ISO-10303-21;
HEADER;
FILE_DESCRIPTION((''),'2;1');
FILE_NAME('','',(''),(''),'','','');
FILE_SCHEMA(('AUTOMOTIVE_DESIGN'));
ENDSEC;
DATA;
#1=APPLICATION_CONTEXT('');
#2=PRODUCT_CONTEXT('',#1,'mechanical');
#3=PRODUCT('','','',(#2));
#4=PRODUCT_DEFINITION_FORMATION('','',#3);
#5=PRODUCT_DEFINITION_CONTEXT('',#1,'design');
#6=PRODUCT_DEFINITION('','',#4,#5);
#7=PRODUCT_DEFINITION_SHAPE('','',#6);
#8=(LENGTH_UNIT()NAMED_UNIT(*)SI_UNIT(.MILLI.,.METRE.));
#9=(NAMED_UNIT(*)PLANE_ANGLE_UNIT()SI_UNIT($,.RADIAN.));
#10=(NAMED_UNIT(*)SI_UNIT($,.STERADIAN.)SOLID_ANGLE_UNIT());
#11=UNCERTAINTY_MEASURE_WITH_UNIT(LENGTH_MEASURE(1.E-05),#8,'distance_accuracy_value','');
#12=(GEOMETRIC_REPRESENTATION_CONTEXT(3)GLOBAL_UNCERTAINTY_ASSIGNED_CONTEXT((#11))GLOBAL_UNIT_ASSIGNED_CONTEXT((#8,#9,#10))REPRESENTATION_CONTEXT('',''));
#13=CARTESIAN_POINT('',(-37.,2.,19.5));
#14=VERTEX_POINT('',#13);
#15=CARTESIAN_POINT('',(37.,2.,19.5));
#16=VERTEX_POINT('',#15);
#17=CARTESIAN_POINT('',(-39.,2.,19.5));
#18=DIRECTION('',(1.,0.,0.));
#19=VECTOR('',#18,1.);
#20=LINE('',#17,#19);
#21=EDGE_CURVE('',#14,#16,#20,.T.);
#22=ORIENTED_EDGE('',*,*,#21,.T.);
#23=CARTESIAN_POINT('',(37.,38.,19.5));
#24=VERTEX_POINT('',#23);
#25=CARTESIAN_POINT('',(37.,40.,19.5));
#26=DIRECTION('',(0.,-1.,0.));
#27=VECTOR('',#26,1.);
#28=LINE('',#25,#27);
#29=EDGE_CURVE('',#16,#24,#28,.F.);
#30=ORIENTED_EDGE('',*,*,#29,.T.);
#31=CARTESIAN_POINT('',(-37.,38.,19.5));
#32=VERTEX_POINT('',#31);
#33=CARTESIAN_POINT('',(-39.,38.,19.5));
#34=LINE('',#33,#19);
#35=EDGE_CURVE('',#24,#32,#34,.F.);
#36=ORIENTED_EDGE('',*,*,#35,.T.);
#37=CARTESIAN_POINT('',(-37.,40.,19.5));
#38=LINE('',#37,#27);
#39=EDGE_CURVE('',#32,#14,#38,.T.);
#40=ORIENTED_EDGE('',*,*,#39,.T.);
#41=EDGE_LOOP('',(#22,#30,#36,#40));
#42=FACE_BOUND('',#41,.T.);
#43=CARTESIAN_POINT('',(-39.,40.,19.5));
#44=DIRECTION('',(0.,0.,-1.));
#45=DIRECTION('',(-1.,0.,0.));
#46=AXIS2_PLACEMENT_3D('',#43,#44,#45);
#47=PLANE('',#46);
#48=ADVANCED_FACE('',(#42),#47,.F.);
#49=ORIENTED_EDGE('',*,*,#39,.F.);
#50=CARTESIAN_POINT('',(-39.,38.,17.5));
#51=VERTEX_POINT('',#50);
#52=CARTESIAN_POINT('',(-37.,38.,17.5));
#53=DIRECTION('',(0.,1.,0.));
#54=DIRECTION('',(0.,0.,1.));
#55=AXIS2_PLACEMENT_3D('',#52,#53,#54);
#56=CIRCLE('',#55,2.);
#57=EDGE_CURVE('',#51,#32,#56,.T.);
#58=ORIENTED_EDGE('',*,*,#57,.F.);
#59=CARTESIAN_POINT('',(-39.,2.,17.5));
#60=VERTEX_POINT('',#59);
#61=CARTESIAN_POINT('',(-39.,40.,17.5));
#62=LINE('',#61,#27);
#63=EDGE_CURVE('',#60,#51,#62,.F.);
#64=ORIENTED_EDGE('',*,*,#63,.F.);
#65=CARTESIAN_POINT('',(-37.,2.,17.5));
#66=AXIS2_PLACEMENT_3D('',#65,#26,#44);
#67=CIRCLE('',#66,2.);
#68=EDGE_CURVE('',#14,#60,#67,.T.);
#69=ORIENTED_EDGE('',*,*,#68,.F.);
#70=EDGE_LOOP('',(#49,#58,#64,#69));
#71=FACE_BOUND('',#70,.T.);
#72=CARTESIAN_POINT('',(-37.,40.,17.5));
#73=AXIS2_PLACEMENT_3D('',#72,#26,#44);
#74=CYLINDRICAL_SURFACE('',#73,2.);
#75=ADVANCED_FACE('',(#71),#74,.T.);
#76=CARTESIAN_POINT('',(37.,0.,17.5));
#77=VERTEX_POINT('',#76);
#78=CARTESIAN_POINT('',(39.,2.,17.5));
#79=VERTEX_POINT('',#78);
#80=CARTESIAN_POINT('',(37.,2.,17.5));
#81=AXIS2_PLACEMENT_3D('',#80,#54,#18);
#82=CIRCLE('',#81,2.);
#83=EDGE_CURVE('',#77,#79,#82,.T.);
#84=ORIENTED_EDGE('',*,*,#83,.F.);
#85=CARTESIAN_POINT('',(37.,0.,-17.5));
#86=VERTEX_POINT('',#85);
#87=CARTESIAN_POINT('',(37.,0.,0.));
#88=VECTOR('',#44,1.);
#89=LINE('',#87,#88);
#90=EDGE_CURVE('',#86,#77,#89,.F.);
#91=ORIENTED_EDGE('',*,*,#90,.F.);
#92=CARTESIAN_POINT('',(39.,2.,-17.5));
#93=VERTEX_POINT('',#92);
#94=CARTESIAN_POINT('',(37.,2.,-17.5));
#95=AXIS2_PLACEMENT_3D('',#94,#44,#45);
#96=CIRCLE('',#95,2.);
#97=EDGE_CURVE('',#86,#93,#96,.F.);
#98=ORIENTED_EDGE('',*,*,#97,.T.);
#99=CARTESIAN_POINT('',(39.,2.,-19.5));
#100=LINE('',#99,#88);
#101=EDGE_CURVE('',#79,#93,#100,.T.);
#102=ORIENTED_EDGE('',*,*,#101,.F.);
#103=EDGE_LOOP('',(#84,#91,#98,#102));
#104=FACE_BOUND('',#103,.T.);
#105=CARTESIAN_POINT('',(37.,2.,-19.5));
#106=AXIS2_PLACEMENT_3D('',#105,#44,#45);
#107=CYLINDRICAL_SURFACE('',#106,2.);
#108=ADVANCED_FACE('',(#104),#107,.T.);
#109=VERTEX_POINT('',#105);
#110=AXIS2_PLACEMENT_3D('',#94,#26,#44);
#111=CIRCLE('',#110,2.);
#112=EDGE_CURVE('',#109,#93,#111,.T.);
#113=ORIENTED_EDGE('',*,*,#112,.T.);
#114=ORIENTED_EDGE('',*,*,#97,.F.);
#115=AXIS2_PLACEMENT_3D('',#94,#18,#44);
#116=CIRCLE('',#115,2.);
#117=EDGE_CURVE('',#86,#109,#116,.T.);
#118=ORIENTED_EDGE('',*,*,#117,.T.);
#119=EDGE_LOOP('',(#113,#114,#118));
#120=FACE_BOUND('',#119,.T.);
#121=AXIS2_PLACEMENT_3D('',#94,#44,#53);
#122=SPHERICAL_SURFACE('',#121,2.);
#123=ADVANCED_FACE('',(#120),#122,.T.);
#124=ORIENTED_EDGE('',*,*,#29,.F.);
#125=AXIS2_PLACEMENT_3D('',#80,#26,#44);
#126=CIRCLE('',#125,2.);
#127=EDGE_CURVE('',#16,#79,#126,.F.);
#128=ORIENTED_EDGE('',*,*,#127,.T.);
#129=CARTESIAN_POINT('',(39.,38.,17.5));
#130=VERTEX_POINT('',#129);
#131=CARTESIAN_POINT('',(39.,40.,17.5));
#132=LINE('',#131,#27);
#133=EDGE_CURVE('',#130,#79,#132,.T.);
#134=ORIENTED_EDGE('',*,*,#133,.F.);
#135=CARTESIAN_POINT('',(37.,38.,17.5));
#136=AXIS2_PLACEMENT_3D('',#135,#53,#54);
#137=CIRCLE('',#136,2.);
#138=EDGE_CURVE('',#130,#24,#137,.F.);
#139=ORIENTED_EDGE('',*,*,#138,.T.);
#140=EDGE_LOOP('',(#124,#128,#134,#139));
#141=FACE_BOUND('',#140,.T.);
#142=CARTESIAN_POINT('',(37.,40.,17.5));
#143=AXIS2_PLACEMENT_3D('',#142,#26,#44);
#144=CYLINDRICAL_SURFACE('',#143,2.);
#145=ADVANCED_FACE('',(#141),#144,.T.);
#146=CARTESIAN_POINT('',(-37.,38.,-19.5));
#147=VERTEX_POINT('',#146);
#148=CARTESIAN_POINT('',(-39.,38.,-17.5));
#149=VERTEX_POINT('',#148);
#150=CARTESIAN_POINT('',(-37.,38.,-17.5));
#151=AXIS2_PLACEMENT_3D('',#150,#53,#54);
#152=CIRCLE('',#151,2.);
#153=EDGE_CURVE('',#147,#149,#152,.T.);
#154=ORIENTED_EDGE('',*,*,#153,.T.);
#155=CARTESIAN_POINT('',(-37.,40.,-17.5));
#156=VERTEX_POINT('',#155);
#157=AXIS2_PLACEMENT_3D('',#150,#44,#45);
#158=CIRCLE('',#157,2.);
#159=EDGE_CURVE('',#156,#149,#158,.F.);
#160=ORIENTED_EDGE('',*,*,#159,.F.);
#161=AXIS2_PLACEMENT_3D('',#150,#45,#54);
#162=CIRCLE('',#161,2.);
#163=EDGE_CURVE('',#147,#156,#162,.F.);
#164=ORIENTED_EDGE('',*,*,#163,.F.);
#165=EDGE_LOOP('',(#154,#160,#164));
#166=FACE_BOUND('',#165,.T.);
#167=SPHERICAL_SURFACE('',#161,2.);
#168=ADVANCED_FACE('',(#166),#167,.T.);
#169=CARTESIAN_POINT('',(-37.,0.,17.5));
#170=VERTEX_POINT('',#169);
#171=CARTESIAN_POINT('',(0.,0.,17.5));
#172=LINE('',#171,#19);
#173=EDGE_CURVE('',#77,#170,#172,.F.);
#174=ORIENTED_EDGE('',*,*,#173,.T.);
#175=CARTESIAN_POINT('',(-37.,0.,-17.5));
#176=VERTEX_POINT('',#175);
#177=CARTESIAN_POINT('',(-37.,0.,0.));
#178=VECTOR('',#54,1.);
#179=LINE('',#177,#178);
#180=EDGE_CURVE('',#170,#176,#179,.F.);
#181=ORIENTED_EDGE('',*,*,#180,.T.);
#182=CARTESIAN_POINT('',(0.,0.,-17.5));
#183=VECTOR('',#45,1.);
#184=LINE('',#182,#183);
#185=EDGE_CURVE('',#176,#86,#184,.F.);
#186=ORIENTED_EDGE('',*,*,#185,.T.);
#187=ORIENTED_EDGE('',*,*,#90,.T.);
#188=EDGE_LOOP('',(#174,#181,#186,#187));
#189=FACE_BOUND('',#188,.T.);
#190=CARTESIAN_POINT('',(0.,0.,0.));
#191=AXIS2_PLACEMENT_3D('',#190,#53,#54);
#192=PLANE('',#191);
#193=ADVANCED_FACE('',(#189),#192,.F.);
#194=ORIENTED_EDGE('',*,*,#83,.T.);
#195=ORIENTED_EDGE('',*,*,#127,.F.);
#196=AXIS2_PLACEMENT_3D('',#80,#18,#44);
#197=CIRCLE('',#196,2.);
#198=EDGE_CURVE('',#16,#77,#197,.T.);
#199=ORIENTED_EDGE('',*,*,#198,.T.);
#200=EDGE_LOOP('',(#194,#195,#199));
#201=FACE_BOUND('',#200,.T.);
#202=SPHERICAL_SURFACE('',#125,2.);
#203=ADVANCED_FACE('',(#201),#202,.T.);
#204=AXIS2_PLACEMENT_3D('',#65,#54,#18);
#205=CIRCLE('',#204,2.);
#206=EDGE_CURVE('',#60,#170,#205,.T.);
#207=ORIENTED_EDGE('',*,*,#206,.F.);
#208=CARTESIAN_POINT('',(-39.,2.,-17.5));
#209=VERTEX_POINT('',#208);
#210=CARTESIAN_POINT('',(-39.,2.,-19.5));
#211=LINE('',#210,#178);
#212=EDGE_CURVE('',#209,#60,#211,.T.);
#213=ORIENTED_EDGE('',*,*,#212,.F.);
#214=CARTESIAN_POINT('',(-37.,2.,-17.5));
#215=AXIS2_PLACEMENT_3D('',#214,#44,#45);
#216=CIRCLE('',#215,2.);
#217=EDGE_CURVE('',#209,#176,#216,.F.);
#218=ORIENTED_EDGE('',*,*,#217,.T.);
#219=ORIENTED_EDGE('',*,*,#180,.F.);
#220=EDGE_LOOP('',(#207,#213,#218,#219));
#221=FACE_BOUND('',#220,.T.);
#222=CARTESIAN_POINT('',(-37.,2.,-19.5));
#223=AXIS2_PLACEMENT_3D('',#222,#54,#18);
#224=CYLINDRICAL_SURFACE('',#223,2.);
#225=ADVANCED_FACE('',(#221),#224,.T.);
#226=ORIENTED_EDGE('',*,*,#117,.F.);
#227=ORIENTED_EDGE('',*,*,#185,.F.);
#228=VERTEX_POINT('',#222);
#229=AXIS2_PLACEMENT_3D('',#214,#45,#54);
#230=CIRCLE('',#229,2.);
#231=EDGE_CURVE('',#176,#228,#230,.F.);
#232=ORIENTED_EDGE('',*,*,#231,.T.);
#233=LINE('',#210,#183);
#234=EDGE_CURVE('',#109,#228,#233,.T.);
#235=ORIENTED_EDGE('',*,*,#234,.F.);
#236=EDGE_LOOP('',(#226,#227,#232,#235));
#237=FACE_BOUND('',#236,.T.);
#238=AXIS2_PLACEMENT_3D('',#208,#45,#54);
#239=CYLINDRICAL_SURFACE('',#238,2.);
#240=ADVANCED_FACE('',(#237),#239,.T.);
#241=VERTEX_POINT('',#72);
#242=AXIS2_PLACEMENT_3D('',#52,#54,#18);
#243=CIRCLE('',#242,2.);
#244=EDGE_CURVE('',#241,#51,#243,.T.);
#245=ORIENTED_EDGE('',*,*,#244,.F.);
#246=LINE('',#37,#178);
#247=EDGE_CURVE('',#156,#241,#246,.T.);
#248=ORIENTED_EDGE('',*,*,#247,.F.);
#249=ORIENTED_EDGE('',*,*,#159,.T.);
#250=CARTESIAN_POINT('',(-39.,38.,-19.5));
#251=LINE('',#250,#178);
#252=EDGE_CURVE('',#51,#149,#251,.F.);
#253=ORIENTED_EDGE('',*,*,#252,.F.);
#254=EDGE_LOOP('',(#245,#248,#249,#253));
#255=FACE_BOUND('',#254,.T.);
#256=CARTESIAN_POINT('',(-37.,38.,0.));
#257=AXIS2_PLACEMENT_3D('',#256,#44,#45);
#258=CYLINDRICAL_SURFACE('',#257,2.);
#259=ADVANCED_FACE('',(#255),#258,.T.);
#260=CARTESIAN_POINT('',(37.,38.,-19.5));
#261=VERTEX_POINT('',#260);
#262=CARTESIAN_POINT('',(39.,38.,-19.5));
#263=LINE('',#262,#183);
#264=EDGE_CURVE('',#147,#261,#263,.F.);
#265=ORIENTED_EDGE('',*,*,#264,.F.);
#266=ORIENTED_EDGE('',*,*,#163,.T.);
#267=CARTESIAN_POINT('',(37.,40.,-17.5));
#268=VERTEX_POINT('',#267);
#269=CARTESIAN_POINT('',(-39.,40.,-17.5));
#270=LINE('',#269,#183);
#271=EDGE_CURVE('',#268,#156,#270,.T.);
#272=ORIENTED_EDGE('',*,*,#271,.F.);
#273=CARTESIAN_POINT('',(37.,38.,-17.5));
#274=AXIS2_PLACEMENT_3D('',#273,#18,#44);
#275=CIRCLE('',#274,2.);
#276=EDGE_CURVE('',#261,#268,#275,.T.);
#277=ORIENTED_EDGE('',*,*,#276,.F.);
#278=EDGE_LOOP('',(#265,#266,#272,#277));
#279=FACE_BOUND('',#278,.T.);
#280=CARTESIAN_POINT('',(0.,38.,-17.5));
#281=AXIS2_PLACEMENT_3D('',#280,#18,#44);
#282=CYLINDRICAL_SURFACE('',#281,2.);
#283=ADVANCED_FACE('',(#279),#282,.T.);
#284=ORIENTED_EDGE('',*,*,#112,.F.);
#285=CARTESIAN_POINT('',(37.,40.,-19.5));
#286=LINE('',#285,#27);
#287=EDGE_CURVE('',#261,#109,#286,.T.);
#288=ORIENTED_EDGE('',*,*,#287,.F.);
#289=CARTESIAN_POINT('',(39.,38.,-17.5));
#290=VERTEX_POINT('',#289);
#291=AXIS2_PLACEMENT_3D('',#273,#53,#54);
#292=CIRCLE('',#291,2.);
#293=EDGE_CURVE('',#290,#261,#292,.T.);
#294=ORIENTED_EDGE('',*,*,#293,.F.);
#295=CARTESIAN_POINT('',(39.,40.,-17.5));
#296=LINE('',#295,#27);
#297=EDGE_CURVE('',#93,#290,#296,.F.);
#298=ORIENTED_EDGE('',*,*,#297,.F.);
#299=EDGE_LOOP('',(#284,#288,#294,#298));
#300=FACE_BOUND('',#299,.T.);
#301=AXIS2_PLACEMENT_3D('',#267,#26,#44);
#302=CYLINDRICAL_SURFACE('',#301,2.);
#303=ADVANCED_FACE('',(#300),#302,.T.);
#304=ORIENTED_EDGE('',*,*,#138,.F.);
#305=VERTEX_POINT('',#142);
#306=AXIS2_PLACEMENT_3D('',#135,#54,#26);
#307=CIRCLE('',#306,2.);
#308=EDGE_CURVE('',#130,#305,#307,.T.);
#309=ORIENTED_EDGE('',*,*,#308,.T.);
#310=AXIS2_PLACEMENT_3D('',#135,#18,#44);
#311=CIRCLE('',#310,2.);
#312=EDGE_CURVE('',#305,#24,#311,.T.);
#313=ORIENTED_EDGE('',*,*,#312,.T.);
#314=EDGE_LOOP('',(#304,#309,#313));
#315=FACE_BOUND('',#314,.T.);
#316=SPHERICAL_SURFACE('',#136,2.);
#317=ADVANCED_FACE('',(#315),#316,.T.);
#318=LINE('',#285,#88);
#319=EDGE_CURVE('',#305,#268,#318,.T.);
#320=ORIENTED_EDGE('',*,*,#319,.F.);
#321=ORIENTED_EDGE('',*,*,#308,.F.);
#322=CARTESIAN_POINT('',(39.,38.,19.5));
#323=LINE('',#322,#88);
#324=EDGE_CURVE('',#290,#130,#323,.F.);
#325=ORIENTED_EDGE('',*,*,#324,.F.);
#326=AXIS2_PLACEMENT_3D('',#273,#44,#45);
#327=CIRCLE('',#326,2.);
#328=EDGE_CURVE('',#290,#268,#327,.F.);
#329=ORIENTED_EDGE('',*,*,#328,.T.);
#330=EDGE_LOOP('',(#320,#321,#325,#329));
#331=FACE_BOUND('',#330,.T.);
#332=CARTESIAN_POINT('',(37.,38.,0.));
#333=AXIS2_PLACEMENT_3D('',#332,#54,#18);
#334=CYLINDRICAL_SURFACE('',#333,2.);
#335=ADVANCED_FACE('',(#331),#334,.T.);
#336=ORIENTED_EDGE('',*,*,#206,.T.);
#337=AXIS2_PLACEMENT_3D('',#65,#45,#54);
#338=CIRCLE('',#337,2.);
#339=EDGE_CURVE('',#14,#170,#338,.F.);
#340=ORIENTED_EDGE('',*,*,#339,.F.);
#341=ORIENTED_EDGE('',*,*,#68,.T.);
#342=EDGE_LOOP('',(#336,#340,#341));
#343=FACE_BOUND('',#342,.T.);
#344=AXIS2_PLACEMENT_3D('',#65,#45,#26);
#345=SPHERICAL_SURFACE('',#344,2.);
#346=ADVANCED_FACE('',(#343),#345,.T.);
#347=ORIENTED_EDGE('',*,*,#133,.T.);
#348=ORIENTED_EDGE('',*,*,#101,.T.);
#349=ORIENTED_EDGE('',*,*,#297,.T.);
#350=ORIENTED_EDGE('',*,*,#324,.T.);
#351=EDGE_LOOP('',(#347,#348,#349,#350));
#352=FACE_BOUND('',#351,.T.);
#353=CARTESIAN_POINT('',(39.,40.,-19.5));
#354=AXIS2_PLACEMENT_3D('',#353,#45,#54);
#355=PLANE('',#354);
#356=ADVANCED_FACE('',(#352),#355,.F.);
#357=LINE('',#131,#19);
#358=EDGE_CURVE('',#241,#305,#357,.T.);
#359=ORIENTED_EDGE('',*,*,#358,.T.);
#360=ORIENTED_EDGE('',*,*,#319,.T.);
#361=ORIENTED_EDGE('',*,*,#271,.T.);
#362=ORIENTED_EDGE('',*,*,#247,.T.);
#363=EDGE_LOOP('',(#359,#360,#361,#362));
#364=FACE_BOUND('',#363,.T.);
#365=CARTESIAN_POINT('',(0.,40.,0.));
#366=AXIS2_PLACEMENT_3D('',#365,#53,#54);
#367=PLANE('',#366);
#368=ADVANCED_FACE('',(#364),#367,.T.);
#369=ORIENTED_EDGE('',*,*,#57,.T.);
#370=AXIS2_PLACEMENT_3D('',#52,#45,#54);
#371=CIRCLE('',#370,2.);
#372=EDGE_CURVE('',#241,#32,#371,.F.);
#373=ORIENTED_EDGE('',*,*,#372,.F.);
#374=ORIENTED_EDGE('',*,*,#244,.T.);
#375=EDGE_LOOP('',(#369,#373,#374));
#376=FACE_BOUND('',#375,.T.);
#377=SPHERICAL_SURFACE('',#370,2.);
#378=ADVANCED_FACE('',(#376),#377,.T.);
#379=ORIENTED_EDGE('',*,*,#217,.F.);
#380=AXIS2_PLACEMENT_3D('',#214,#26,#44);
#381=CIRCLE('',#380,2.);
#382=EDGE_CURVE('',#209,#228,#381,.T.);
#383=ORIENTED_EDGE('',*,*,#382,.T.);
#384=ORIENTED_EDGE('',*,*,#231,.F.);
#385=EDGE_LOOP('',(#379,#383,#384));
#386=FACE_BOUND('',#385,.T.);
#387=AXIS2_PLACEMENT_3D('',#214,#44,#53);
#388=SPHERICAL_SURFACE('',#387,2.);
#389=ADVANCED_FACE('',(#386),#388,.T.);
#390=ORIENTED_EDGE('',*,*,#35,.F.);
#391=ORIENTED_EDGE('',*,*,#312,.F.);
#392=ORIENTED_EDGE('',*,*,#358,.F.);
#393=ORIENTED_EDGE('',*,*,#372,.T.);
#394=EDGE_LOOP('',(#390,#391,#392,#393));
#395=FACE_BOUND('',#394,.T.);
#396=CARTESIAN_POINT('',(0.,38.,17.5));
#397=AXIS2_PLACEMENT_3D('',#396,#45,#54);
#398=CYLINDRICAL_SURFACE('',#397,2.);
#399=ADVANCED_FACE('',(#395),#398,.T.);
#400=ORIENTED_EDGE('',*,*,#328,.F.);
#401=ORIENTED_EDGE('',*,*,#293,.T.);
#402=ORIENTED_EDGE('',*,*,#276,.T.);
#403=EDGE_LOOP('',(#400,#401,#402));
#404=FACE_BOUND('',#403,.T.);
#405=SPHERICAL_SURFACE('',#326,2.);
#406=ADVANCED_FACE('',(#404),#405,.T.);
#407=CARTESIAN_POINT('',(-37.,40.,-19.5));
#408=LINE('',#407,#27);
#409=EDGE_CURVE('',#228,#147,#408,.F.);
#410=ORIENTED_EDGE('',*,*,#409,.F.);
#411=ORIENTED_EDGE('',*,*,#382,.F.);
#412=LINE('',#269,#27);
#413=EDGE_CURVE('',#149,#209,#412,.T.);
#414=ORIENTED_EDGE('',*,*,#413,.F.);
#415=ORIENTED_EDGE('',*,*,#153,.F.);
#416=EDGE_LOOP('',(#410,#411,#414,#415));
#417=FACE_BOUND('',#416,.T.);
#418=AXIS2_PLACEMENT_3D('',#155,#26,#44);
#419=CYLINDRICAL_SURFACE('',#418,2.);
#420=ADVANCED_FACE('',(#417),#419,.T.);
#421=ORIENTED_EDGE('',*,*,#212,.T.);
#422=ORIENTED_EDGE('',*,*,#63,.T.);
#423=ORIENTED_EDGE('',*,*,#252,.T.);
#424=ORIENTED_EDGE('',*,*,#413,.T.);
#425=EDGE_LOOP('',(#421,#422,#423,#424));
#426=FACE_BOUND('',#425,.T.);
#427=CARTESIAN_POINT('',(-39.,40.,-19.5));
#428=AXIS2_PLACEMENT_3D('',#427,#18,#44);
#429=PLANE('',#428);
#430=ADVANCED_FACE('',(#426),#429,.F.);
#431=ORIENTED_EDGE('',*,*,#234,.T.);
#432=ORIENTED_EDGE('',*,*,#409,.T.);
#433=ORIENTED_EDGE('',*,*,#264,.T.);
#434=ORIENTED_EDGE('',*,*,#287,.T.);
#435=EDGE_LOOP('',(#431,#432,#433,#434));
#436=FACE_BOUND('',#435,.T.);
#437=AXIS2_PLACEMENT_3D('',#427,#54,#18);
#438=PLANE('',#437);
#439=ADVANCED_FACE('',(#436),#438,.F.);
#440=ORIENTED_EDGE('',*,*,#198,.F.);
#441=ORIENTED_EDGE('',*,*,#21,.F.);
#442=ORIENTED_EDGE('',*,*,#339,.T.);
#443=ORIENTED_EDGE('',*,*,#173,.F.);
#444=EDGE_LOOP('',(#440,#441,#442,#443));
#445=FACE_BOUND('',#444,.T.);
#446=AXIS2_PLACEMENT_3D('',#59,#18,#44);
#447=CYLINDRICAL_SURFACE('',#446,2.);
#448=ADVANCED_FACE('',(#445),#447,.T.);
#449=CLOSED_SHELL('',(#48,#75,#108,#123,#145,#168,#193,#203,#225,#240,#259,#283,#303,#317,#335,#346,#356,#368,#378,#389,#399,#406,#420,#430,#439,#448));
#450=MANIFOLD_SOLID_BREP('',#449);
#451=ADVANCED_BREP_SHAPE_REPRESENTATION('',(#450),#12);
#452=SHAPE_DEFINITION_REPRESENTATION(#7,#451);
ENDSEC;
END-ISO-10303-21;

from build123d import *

# Parameters (mm, degrees)
SKETCH1_W           = 78
SKETCH1_H           = 39
BOSS_EXTRUDE1_DEPTH = 40
FILLET1_R           = 2


with BuildPart() as part:
    # Sketch1 → Boss-Extrude1 (new body)
    with BuildSketch(Plane(origin=(0, 0, 0), x_dir=(1, 0, 0), z_dir=(0, 1, 0))):
        Rectangle(SKETCH1_W, SKETCH1_H)
    extrude(amount=BOSS_EXTRUDE1_DEPTH)

    # Fillet1
    fillet1_edges = [part.edges().sort_by_distance(p)[0] for p in [
        (-39, 40, 0),
        (0, 40, 19.5),
        (39, 40, 0),
        (0, 0, 19.5),
        (-39, 0, 0),
        (0, 0, -19.5),
        (39, 0, 0),
        (39, 20, 19.5),
        (-39, 20, 19.5),
        (-39, 20, -19.5),
        (39, 20, -19.5),
        (0, 40, -19.5),
    ]]
    fillet(fillet1_edges, radius=FILLET1_R)


solid = part.part
